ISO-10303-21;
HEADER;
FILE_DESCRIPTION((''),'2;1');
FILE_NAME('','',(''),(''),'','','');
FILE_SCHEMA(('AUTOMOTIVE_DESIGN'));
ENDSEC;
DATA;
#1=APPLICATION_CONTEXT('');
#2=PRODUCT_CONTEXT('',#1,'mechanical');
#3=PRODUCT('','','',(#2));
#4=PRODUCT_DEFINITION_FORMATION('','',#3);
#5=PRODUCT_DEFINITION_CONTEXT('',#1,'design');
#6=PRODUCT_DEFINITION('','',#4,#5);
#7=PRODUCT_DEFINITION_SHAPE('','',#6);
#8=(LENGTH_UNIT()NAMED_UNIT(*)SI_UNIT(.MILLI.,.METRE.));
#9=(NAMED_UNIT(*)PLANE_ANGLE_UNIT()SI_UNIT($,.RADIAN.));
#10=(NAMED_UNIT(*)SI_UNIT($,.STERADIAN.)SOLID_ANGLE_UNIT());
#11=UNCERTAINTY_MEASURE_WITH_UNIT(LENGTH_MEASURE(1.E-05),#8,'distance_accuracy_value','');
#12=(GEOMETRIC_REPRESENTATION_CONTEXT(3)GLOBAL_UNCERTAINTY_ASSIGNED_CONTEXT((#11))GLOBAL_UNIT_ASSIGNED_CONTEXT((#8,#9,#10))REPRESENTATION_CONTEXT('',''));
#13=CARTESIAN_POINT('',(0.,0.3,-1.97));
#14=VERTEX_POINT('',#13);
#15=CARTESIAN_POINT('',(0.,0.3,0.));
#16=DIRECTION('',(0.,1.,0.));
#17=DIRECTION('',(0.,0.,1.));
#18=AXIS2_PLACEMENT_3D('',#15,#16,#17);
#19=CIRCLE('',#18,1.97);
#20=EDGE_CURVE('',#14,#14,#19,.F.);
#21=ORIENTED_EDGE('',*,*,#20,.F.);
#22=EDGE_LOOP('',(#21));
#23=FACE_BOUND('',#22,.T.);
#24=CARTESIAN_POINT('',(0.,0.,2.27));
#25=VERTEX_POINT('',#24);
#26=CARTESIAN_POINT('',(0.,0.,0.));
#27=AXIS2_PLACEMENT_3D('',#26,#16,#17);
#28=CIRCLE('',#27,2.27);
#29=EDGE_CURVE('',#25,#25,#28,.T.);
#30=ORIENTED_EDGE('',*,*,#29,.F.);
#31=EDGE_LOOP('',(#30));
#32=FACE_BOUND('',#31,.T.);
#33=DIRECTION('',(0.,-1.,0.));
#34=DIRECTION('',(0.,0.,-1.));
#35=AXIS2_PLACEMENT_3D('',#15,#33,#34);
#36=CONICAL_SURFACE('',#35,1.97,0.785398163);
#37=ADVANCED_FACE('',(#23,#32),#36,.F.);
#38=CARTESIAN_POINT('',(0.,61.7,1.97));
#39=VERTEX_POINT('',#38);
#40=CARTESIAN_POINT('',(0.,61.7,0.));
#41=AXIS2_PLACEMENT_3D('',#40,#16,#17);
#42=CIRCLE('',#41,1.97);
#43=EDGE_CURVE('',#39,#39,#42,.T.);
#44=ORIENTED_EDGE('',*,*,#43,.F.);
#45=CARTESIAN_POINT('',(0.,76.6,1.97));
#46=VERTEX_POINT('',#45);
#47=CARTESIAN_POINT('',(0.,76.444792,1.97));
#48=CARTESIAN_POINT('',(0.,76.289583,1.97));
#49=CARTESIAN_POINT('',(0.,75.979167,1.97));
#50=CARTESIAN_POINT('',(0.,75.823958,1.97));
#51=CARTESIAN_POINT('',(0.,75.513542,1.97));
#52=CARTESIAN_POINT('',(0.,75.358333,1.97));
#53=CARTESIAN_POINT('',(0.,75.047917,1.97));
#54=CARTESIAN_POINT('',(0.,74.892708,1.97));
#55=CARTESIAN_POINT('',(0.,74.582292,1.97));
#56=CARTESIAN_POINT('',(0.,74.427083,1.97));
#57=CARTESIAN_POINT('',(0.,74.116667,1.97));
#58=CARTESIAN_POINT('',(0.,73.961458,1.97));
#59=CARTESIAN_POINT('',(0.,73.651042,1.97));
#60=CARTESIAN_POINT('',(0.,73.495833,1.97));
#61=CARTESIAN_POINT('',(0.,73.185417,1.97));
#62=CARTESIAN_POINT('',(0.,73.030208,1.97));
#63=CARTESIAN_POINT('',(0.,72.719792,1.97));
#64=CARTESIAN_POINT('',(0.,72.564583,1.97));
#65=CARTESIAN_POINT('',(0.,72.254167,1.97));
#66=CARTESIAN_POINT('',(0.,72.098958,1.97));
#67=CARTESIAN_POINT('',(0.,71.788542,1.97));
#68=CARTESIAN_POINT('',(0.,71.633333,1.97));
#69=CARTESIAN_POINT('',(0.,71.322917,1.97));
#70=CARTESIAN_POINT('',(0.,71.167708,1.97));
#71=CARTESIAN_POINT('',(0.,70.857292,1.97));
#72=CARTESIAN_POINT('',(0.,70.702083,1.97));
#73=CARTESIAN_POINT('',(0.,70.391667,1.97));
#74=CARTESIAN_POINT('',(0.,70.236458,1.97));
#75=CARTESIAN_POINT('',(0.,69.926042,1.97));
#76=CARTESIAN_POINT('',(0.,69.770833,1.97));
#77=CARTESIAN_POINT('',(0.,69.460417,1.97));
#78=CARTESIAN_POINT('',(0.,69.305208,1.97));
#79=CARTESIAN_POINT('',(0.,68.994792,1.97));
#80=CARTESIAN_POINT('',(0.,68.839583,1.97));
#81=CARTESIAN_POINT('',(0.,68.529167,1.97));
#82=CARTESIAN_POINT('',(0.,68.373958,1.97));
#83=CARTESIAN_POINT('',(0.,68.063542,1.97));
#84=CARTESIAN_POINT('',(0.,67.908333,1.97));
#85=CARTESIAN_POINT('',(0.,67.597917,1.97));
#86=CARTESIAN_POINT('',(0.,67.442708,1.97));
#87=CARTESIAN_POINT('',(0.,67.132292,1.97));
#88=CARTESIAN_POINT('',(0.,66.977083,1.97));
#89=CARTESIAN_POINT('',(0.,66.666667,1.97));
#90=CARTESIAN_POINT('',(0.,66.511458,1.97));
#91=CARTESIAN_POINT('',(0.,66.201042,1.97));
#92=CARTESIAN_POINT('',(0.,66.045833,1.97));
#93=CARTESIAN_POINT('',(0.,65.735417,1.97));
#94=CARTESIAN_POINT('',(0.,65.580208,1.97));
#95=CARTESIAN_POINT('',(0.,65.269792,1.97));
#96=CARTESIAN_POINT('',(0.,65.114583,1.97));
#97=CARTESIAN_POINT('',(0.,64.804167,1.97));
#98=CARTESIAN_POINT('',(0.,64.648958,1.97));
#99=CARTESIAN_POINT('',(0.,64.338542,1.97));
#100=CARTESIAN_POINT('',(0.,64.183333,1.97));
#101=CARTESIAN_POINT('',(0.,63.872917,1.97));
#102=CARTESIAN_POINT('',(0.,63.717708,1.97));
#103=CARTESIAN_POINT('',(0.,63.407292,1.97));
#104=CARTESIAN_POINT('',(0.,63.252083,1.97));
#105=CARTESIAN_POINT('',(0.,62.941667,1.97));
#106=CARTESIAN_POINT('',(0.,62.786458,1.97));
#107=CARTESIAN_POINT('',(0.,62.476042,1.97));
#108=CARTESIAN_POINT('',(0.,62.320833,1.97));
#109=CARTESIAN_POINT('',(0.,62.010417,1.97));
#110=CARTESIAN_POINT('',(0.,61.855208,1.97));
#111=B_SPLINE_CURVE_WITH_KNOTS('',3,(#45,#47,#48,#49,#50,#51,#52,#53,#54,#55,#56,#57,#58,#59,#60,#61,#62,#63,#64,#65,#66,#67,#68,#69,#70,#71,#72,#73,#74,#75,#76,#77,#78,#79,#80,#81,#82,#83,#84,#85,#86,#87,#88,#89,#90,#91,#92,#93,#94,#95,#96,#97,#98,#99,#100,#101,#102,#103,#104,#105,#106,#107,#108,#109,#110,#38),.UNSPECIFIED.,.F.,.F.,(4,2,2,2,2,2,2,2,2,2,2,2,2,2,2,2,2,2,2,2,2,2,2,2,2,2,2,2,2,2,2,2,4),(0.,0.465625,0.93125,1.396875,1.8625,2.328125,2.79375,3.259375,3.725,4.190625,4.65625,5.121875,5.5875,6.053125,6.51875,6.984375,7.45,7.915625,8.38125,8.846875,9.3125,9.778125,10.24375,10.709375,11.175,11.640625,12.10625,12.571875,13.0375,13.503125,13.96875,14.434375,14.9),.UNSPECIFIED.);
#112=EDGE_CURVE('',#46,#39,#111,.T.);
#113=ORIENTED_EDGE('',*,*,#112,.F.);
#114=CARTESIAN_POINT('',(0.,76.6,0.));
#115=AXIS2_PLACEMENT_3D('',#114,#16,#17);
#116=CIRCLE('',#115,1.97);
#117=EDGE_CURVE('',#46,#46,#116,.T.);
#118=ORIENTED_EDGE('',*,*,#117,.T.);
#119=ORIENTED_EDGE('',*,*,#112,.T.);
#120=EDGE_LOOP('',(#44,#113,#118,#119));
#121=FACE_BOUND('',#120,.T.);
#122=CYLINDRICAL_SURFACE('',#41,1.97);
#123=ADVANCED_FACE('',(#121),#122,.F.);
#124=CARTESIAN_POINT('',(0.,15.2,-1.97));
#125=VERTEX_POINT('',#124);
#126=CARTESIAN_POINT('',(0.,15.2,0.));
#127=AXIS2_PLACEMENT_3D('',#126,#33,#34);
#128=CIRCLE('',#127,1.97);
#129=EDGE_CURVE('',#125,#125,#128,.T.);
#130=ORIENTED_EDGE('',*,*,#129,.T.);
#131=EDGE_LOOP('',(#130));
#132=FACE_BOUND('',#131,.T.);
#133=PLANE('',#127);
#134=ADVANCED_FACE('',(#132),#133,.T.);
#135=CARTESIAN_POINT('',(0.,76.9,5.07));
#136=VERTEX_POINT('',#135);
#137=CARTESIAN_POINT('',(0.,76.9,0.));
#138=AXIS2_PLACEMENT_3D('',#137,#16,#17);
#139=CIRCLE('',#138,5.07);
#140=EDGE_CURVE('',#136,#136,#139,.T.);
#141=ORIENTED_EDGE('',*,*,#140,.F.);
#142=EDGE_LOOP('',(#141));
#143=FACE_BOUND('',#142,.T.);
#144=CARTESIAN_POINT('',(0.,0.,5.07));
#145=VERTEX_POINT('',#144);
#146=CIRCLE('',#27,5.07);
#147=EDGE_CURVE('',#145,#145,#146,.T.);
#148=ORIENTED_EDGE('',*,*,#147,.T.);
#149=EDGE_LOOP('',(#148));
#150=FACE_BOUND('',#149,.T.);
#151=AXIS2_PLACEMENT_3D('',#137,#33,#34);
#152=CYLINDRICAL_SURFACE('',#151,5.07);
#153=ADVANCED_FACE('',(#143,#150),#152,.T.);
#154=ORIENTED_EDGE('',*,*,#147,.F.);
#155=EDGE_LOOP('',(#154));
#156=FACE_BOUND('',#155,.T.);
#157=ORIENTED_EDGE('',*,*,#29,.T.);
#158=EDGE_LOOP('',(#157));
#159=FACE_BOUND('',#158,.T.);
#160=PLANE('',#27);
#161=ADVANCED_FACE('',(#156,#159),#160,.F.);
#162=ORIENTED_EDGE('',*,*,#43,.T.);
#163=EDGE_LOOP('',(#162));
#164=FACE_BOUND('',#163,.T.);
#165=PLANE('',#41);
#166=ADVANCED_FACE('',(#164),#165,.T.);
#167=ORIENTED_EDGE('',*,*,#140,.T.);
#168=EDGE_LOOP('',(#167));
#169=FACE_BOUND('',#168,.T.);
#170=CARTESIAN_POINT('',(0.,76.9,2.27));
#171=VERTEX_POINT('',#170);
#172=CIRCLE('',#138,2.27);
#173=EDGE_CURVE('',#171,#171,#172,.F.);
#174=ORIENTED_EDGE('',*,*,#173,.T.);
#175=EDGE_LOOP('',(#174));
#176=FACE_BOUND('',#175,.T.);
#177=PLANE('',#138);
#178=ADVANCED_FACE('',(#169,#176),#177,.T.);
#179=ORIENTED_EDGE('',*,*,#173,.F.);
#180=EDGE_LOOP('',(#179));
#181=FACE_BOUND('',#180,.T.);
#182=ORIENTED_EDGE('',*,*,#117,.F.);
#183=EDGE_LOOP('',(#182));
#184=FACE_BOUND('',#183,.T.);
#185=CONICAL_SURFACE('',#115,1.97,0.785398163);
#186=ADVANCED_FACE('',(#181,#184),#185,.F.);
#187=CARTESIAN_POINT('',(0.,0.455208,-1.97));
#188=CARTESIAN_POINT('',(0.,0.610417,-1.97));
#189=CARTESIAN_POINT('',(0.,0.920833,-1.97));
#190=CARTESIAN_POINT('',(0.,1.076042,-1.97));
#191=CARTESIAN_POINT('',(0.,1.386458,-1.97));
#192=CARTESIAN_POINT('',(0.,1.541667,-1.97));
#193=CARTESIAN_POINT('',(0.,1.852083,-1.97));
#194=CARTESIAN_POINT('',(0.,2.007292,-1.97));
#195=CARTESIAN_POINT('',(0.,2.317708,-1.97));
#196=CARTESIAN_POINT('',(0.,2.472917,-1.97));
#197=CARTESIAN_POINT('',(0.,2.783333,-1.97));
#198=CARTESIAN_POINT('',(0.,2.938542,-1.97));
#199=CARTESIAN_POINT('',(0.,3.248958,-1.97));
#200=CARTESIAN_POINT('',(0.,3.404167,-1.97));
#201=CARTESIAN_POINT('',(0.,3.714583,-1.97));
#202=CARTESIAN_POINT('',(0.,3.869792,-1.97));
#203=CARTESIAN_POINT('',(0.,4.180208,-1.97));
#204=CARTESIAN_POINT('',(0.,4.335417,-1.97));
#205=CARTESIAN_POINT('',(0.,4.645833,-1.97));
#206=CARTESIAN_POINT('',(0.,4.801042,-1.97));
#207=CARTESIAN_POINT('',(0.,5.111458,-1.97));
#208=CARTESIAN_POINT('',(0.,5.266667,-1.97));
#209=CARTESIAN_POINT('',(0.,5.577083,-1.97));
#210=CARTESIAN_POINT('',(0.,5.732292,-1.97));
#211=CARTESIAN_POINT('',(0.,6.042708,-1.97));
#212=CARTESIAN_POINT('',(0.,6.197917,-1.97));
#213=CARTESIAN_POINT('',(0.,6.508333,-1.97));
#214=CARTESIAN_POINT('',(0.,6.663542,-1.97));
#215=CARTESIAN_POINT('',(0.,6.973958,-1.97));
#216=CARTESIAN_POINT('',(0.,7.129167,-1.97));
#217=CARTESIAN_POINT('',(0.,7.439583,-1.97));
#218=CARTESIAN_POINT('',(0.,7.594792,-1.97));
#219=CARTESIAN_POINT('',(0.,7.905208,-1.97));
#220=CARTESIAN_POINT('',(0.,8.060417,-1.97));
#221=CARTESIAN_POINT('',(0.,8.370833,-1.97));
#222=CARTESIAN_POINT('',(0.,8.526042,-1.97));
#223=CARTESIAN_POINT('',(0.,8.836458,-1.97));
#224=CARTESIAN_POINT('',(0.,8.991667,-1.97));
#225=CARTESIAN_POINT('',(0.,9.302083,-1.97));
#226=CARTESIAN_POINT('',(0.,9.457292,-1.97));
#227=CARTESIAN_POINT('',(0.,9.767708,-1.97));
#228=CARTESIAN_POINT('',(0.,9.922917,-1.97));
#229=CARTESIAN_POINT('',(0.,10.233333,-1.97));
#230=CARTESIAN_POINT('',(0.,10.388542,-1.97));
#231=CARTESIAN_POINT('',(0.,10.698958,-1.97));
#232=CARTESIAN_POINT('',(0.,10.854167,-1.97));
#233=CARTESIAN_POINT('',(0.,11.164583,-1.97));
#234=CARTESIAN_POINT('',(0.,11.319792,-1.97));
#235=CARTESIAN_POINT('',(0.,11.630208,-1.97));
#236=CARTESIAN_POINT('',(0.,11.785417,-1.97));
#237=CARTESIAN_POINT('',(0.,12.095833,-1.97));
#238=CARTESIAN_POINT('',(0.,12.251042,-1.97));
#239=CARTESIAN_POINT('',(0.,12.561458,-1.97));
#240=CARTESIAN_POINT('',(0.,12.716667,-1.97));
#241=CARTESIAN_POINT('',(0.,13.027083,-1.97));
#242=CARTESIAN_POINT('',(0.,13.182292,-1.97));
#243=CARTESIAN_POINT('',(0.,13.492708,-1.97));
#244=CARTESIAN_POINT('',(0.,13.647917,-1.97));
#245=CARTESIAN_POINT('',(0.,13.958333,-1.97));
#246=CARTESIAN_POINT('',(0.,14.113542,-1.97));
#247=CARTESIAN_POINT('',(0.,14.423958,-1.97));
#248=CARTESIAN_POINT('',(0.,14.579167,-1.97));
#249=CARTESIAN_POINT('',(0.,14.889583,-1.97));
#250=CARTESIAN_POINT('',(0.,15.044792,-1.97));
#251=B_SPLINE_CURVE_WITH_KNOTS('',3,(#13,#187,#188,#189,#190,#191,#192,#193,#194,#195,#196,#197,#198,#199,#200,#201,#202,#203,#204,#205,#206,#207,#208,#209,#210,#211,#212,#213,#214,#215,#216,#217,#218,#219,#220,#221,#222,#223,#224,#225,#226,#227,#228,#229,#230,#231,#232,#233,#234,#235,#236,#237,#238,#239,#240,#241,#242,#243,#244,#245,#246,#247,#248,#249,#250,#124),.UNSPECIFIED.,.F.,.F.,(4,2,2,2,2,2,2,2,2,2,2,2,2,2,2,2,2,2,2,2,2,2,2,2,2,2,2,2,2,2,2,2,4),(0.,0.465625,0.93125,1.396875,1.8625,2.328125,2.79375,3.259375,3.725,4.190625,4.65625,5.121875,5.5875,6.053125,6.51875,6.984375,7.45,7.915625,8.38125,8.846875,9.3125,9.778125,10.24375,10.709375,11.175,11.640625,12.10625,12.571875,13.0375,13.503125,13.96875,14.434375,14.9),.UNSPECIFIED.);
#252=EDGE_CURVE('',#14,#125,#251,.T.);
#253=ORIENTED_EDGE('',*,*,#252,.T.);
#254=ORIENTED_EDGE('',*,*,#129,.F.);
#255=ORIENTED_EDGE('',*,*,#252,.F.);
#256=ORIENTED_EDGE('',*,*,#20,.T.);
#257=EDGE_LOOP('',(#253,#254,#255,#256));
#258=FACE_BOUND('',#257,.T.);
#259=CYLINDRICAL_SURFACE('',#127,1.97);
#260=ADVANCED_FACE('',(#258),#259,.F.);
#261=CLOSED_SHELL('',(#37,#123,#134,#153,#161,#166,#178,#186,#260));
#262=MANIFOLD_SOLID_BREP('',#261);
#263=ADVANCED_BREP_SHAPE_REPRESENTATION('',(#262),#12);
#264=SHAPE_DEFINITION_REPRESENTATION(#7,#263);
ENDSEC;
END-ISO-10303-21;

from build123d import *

# Parameters (mm, degrees)
SKETCH1_R           = 5.07
BOSS_EXTRUDE1_DEPTH = 76.9
SKETCH2_R           = 1.97
CUT_EXTRUDE1_DEPTH  = 15.2
CHAMFER2_SIZE       = 0.3
CUT_EXTRUDE2_START  = -15.2
SKETCH3_R           = 1.97
CUT_EXTRUDE2_DEPTH  = 15.2
CHAMFER3_SIZE       = 0.3


with BuildPart() as part:
    # Sketch1 → Boss-Extrude1 (new body)
    with BuildSketch(Plane(origin=(0, 0, 0), x_dir=(1, 0, 0), z_dir=(0, 1, 0))):
        with Locations(Location((0, 0, 0), (0, 0, 270))):
            Circle(SKETCH1_R)
    extrude(amount=BOSS_EXTRUDE1_DEPTH)

    # Sketch2 → Cut-Extrude1 (cut)
    with BuildSketch(Plane(origin=(0, 76.9, 0), x_dir=(1, 0, 0), z_dir=(0, 1, 0))):
        with Locations(Location((0, 0, 0), (0, 0, 270))):
            Circle(SKETCH2_R)
    extrude(amount=-CUT_EXTRUDE1_DEPTH, mode=Mode.SUBTRACT)

    # Chamfer2
    chamfer2_edges = [part.edges().sort_by_distance(p)[0] for p in [
        (0, 76.9, -1.97),
    ]]
    chamfer(chamfer2_edges, length=CHAMFER2_SIZE)

    # Sketch3 → Cut-Extrude2 (cut)
    with BuildSketch(Plane(origin=(0, 0, 0), x_dir=(-1, 0, 0), z_dir=(0, -1, 0)).offset(CUT_EXTRUDE2_START)):
        with Locations(Location((0, 0, 0), (0, 0, 270))):
            Circle(SKETCH3_R)
    extrude(amount=CUT_EXTRUDE2_DEPTH, mode=Mode.SUBTRACT)

    # Chamfer3
    chamfer3_edges = [part.edges().sort_by_distance(p)[0] for p in [
        (0, 0, -1.97),
    ]]
    chamfer(chamfer3_edges, length=CHAMFER3_SIZE)


solid = part.part
